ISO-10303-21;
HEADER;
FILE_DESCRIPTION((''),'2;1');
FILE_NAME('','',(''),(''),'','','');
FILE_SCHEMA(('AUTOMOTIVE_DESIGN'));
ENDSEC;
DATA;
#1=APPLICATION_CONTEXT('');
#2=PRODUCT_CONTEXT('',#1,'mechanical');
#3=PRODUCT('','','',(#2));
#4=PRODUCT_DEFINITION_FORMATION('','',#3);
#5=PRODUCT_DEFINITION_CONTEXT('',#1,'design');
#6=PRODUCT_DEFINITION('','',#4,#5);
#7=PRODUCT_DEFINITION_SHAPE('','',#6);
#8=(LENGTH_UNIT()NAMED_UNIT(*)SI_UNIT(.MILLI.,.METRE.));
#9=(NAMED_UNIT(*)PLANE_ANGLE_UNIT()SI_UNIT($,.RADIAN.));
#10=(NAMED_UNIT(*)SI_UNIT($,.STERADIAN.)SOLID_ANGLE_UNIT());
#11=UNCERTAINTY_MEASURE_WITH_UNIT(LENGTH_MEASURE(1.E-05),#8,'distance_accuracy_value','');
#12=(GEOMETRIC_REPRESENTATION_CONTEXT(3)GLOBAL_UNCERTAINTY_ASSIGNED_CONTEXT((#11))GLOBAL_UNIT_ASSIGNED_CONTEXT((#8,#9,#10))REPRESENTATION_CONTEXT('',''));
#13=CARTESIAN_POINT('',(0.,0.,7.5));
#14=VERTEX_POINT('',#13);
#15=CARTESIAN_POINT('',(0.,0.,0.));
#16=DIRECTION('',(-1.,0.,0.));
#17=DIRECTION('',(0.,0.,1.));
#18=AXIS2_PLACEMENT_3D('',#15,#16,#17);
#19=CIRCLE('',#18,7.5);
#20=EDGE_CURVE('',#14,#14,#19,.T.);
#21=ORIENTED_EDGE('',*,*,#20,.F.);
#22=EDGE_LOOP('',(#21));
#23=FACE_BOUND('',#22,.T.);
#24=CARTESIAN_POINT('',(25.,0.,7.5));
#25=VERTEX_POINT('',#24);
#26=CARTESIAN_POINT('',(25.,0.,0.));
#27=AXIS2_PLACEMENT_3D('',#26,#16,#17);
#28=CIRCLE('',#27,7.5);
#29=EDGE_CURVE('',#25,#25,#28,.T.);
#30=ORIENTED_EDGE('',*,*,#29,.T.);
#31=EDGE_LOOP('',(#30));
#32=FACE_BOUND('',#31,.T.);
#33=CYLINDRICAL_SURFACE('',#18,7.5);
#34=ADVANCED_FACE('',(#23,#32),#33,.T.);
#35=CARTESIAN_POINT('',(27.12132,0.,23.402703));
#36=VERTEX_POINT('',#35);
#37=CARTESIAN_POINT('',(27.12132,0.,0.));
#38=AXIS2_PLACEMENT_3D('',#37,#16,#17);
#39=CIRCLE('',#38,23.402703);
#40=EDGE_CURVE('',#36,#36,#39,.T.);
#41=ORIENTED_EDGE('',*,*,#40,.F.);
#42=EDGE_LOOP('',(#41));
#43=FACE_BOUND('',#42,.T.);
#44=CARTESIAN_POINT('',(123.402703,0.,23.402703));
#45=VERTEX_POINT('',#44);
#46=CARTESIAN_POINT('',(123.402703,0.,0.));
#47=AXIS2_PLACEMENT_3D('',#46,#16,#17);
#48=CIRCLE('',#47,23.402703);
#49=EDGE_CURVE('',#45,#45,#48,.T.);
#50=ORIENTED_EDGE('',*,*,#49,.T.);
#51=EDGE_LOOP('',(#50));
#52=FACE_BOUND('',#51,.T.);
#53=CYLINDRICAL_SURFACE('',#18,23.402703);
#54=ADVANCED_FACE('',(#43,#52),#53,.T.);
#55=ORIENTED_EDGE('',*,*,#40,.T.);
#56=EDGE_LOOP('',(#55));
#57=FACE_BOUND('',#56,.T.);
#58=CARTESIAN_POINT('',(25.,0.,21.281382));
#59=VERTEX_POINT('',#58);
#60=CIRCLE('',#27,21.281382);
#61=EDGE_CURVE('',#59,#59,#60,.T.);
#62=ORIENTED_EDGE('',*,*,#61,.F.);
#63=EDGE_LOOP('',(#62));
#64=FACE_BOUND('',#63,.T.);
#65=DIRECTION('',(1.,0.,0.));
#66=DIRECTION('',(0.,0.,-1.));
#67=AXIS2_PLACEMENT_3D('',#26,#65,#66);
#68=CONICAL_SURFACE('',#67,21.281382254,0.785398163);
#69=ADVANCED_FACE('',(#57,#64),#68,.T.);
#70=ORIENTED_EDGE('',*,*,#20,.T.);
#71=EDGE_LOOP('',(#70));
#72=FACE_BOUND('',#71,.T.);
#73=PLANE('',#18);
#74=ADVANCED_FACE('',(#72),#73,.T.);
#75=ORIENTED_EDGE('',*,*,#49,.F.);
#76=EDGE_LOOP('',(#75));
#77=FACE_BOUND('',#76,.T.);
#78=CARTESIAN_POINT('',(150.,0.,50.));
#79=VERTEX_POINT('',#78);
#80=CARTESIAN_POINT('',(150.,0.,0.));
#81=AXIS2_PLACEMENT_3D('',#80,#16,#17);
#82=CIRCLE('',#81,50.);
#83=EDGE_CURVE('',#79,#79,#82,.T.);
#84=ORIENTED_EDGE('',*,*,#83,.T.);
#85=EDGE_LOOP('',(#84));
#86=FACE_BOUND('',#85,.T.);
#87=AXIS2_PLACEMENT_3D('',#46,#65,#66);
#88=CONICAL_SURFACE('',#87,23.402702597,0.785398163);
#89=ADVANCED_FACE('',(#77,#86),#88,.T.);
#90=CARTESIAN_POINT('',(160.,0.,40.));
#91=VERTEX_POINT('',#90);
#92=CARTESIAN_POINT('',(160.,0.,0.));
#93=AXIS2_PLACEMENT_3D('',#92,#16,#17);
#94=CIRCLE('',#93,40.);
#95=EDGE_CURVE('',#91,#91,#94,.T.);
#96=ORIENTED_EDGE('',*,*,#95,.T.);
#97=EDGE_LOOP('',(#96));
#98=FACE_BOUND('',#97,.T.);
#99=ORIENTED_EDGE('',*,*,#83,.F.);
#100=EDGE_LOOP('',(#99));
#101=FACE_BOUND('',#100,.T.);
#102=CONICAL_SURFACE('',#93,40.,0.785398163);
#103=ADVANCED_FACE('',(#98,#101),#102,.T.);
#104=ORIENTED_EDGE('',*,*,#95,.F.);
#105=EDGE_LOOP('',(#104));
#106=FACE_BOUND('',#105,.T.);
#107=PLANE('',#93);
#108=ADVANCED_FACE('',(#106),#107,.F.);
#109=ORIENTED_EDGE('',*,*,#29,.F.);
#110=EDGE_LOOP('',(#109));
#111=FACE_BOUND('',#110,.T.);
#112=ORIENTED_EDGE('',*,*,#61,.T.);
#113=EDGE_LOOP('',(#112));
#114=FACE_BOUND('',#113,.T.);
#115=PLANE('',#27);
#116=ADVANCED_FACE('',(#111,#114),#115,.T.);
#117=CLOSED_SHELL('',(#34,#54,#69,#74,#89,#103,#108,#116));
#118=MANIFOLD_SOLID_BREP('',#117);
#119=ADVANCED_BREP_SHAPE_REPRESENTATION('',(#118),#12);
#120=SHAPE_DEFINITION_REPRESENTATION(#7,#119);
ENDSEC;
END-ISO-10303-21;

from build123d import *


with BuildPart() as part:
    # Çizim1 one side → Döndür3 (revolve)
    with BuildSketch(Plane.XY):
        Polygon((0, 7.5), (0, 0), (160, 0), (160, 40), (150, 50), (123.402702597, 23.402702597), (27.121320344, 23.402702597), (25, 21.281382254), (25, 7.5), align=None)
    revolve(axis=Axis((0, 0, 0), (1, 0, 0)))


solid = part.part
